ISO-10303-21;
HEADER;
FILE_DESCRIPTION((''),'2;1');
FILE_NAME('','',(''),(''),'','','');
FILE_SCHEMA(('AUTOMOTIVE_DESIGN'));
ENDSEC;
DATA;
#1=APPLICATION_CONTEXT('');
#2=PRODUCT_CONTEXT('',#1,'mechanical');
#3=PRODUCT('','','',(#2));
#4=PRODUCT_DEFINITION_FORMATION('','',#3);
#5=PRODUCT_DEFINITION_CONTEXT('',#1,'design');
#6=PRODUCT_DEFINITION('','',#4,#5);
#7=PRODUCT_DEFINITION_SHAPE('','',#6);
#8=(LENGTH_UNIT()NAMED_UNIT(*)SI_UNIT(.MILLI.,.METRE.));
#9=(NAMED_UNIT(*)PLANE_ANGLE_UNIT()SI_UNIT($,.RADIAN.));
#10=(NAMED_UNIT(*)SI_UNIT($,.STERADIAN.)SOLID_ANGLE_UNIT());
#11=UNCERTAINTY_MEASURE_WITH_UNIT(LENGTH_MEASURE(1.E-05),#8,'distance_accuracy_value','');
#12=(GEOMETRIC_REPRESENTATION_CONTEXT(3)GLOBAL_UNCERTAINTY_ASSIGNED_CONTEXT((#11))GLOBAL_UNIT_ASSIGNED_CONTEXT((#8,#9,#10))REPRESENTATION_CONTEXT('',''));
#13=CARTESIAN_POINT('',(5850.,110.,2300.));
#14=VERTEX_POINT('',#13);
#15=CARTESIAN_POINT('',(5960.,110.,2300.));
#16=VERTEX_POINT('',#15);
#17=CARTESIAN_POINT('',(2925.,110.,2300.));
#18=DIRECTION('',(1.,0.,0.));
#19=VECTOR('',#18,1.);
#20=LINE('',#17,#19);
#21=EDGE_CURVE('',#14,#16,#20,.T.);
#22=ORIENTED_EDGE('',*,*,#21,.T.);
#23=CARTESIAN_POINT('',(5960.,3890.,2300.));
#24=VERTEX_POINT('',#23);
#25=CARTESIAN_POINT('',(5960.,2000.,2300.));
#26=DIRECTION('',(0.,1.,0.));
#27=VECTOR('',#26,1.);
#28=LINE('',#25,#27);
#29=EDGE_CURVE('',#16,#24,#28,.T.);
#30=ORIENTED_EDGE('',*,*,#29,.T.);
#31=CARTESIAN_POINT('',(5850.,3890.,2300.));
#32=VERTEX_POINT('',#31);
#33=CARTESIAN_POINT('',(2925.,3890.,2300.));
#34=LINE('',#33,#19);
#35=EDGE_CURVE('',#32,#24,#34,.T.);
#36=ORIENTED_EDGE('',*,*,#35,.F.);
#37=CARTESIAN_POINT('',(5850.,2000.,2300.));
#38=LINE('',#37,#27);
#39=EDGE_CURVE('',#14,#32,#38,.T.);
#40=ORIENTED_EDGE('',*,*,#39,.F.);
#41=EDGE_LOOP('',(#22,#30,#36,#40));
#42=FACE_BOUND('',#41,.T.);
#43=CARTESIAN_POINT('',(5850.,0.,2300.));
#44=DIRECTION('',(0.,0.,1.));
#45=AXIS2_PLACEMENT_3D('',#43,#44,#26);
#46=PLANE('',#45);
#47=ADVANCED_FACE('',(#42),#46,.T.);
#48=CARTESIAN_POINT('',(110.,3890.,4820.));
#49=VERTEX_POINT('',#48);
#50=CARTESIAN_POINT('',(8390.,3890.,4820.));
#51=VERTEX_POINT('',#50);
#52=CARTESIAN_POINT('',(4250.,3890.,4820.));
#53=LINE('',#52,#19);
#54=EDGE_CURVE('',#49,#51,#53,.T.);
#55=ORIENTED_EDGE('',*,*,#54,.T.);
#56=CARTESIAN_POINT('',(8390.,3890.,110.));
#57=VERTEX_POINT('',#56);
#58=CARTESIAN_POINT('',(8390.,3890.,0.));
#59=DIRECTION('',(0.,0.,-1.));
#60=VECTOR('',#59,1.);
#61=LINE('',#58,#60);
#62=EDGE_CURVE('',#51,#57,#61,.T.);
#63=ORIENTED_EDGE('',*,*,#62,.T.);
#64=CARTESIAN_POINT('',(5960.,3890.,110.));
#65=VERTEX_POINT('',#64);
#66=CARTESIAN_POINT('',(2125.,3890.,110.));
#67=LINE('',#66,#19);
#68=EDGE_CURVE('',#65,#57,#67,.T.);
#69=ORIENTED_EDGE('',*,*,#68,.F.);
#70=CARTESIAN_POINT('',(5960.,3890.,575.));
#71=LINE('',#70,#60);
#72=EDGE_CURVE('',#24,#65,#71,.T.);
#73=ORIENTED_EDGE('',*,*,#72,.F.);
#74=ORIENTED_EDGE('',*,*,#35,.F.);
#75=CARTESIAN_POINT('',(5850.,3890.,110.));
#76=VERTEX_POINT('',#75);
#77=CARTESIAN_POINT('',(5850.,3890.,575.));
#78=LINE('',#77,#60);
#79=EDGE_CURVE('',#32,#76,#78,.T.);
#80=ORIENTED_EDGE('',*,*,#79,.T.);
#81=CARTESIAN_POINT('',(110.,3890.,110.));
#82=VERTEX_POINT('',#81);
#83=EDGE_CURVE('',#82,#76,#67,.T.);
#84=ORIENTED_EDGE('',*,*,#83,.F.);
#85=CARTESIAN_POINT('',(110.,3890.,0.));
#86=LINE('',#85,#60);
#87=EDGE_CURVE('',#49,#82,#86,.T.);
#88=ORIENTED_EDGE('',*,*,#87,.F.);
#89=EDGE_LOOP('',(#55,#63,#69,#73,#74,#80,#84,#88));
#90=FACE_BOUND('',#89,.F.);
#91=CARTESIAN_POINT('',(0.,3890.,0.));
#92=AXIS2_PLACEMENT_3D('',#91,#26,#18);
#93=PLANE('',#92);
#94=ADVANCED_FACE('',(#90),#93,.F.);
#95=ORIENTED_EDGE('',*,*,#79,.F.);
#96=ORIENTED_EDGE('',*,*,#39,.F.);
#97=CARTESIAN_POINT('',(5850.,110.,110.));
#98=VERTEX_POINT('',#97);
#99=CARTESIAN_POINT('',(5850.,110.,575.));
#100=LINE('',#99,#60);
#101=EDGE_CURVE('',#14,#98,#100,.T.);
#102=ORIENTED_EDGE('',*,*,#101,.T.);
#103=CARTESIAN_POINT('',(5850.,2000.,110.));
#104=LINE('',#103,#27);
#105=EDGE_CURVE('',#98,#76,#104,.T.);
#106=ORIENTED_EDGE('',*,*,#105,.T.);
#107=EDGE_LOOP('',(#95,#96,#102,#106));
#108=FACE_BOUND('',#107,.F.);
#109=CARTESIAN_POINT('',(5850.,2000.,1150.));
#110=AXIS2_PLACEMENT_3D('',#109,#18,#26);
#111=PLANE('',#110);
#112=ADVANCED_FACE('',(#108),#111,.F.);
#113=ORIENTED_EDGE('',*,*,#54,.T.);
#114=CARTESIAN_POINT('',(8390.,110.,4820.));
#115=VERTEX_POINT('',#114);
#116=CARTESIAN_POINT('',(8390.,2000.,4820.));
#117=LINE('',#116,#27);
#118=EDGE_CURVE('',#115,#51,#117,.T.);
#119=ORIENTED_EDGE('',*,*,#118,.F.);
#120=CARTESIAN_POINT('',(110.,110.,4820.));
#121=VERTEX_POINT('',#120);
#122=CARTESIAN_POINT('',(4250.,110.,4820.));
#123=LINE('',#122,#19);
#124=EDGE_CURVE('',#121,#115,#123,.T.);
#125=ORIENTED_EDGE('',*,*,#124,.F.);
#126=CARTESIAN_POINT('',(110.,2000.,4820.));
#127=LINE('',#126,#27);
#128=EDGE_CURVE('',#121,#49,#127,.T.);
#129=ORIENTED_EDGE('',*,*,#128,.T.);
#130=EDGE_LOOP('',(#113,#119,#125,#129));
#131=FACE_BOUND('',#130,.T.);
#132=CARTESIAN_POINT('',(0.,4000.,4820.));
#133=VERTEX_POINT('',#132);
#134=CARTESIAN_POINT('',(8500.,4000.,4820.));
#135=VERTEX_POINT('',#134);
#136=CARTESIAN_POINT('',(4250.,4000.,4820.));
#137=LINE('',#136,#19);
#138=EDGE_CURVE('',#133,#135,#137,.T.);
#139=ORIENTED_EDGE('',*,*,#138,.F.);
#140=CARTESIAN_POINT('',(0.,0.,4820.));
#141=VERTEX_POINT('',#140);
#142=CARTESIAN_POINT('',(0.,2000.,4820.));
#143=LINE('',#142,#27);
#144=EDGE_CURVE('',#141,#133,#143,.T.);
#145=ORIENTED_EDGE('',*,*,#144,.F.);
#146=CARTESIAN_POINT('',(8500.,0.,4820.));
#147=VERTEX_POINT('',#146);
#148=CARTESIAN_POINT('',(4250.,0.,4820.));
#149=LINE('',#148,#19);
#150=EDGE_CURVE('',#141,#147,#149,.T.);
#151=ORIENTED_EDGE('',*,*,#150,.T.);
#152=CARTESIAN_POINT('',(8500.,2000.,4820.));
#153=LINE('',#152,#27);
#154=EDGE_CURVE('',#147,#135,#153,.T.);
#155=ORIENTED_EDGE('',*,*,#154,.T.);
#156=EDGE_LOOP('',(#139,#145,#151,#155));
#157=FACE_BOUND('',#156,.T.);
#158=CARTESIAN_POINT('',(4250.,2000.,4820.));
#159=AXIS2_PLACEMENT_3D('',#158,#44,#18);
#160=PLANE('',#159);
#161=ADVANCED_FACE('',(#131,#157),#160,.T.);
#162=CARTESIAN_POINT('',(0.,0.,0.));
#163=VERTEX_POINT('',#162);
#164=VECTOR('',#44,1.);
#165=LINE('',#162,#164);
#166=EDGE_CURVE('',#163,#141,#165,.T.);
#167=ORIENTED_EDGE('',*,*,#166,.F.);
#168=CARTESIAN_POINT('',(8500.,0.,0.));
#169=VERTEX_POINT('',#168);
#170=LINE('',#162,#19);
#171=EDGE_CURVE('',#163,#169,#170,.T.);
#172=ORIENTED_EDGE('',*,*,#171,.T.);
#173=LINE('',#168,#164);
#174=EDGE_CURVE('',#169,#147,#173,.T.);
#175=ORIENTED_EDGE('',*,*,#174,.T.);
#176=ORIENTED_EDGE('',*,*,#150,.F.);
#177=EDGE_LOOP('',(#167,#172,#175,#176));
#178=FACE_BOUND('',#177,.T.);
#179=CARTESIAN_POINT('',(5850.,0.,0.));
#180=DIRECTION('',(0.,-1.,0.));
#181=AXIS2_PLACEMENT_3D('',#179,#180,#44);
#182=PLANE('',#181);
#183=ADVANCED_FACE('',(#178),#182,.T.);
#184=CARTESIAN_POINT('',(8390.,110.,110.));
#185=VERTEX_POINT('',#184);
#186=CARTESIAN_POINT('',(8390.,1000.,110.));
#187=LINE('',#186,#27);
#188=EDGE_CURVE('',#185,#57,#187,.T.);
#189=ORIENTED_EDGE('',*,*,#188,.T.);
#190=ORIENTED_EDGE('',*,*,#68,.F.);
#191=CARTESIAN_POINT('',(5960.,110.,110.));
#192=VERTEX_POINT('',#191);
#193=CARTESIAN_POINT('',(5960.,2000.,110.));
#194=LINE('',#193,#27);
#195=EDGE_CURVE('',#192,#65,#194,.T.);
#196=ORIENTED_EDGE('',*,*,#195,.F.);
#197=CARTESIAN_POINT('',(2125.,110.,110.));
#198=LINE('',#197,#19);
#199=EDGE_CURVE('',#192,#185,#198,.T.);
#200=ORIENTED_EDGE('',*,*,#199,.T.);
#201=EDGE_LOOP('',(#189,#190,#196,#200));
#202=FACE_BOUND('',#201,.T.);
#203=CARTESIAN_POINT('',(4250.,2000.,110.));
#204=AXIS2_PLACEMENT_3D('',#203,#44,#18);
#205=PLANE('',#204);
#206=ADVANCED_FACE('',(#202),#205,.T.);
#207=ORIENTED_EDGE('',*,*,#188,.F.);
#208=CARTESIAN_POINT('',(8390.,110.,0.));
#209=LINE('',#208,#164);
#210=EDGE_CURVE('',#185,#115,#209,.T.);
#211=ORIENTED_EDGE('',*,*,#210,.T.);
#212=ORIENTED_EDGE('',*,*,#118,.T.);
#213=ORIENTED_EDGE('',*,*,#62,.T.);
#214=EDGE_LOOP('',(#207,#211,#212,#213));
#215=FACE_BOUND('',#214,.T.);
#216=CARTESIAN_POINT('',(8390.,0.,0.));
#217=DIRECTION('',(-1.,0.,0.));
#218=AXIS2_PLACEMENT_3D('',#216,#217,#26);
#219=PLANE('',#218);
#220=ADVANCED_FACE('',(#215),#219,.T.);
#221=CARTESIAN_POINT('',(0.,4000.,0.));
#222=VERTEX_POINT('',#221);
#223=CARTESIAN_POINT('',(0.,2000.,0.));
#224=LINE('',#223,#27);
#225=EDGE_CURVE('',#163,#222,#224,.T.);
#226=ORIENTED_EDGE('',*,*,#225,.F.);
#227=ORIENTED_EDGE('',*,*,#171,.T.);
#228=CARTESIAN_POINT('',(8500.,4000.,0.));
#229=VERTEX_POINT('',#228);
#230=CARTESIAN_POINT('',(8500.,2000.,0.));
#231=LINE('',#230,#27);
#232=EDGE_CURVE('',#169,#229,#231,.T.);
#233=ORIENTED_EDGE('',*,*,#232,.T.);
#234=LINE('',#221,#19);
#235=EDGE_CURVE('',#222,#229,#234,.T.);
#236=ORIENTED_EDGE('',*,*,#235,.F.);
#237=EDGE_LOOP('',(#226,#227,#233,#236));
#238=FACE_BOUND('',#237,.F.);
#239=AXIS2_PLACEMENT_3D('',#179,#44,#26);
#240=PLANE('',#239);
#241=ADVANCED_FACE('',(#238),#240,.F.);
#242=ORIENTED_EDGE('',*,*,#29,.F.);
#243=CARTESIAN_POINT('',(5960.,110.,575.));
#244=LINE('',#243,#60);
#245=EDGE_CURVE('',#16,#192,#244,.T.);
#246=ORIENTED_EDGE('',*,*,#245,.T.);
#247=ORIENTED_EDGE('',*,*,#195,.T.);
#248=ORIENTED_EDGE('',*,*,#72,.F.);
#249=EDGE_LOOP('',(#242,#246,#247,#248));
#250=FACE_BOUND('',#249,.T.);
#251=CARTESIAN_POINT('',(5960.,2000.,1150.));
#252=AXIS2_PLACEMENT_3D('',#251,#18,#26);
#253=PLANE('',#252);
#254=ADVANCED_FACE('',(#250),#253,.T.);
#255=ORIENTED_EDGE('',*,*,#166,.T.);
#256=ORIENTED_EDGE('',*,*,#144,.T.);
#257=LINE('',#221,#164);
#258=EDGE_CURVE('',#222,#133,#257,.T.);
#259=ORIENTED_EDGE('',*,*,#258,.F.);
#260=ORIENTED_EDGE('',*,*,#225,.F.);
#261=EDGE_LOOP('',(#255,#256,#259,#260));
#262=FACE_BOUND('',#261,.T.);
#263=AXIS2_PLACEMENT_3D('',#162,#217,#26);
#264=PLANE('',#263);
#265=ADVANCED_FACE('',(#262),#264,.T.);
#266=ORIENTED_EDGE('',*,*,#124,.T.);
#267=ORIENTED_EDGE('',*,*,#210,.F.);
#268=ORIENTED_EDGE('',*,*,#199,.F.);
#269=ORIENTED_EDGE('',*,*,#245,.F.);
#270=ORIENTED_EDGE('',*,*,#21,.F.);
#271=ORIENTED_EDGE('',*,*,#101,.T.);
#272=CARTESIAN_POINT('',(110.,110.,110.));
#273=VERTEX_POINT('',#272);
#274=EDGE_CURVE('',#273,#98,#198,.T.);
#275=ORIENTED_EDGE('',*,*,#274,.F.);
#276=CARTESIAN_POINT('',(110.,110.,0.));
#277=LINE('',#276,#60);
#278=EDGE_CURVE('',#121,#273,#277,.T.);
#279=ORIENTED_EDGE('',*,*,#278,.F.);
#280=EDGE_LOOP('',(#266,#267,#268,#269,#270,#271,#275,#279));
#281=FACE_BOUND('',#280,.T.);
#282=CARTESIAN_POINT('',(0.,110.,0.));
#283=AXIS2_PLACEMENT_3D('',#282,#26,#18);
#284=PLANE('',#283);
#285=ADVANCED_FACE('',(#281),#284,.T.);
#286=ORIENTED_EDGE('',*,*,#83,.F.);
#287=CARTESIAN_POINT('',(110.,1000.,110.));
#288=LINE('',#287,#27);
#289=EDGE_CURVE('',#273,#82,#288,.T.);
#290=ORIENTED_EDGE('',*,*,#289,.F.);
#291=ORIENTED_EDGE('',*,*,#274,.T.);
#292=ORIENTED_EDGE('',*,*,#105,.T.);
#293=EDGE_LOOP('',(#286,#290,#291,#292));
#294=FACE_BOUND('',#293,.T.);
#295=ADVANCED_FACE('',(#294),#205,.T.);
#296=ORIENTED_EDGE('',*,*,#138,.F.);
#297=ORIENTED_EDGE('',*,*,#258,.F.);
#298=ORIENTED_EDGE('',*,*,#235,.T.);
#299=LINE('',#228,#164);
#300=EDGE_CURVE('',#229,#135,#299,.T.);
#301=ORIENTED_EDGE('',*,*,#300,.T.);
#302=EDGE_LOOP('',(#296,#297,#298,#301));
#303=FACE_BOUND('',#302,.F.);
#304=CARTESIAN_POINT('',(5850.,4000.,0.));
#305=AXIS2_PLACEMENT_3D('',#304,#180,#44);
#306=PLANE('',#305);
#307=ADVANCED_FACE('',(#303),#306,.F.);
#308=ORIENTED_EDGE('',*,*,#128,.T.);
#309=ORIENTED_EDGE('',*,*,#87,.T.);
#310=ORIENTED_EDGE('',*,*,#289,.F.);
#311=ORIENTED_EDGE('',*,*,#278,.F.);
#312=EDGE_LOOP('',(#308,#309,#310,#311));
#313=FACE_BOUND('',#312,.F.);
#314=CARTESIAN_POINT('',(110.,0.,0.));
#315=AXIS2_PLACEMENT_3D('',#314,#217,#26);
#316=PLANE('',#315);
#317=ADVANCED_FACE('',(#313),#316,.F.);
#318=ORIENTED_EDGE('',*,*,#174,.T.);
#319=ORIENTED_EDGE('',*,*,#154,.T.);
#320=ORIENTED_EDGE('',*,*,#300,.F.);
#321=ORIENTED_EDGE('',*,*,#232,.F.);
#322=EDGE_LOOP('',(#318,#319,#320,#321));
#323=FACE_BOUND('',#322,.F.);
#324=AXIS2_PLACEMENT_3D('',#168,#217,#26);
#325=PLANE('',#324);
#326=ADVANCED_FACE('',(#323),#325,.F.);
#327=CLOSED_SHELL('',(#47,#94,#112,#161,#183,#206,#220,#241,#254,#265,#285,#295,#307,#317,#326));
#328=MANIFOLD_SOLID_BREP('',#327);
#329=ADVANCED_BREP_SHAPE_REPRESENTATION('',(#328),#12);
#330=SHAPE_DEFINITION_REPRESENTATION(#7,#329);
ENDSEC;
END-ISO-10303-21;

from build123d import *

# Parameters (mm, degrees)
F0_W     = 8500
F0_H     = 4000
F1_DEPTH = 4820
F2_T     = -110
F6_W     = 4000
F6_H     = 2300
F7_DEPTH = 110


with BuildPart() as f1:
    # F0 (on Top) → F1 (new body)
    with BuildSketch(Plane.XY):
        with Locations((4250, 2000)):
            Rectangle(F0_W, F0_H)
    extrude(amount=F1_DEPTH)

    # F2
    f2_openings = [f1.faces().sort_by_distance(p)[0] for p in [
        (4250, 2000, 4820),
    ]]
    offset(amount=F2_T, openings=f2_openings)

    # F6 (on offset) → F7 (join)
    with BuildSketch(Plane.YZ.offset(5850)):
        with Locations((2000, 1150)):
            Rectangle(F6_W, F6_H)
    extrude(amount=F7_DEPTH)


solid = f1.part
